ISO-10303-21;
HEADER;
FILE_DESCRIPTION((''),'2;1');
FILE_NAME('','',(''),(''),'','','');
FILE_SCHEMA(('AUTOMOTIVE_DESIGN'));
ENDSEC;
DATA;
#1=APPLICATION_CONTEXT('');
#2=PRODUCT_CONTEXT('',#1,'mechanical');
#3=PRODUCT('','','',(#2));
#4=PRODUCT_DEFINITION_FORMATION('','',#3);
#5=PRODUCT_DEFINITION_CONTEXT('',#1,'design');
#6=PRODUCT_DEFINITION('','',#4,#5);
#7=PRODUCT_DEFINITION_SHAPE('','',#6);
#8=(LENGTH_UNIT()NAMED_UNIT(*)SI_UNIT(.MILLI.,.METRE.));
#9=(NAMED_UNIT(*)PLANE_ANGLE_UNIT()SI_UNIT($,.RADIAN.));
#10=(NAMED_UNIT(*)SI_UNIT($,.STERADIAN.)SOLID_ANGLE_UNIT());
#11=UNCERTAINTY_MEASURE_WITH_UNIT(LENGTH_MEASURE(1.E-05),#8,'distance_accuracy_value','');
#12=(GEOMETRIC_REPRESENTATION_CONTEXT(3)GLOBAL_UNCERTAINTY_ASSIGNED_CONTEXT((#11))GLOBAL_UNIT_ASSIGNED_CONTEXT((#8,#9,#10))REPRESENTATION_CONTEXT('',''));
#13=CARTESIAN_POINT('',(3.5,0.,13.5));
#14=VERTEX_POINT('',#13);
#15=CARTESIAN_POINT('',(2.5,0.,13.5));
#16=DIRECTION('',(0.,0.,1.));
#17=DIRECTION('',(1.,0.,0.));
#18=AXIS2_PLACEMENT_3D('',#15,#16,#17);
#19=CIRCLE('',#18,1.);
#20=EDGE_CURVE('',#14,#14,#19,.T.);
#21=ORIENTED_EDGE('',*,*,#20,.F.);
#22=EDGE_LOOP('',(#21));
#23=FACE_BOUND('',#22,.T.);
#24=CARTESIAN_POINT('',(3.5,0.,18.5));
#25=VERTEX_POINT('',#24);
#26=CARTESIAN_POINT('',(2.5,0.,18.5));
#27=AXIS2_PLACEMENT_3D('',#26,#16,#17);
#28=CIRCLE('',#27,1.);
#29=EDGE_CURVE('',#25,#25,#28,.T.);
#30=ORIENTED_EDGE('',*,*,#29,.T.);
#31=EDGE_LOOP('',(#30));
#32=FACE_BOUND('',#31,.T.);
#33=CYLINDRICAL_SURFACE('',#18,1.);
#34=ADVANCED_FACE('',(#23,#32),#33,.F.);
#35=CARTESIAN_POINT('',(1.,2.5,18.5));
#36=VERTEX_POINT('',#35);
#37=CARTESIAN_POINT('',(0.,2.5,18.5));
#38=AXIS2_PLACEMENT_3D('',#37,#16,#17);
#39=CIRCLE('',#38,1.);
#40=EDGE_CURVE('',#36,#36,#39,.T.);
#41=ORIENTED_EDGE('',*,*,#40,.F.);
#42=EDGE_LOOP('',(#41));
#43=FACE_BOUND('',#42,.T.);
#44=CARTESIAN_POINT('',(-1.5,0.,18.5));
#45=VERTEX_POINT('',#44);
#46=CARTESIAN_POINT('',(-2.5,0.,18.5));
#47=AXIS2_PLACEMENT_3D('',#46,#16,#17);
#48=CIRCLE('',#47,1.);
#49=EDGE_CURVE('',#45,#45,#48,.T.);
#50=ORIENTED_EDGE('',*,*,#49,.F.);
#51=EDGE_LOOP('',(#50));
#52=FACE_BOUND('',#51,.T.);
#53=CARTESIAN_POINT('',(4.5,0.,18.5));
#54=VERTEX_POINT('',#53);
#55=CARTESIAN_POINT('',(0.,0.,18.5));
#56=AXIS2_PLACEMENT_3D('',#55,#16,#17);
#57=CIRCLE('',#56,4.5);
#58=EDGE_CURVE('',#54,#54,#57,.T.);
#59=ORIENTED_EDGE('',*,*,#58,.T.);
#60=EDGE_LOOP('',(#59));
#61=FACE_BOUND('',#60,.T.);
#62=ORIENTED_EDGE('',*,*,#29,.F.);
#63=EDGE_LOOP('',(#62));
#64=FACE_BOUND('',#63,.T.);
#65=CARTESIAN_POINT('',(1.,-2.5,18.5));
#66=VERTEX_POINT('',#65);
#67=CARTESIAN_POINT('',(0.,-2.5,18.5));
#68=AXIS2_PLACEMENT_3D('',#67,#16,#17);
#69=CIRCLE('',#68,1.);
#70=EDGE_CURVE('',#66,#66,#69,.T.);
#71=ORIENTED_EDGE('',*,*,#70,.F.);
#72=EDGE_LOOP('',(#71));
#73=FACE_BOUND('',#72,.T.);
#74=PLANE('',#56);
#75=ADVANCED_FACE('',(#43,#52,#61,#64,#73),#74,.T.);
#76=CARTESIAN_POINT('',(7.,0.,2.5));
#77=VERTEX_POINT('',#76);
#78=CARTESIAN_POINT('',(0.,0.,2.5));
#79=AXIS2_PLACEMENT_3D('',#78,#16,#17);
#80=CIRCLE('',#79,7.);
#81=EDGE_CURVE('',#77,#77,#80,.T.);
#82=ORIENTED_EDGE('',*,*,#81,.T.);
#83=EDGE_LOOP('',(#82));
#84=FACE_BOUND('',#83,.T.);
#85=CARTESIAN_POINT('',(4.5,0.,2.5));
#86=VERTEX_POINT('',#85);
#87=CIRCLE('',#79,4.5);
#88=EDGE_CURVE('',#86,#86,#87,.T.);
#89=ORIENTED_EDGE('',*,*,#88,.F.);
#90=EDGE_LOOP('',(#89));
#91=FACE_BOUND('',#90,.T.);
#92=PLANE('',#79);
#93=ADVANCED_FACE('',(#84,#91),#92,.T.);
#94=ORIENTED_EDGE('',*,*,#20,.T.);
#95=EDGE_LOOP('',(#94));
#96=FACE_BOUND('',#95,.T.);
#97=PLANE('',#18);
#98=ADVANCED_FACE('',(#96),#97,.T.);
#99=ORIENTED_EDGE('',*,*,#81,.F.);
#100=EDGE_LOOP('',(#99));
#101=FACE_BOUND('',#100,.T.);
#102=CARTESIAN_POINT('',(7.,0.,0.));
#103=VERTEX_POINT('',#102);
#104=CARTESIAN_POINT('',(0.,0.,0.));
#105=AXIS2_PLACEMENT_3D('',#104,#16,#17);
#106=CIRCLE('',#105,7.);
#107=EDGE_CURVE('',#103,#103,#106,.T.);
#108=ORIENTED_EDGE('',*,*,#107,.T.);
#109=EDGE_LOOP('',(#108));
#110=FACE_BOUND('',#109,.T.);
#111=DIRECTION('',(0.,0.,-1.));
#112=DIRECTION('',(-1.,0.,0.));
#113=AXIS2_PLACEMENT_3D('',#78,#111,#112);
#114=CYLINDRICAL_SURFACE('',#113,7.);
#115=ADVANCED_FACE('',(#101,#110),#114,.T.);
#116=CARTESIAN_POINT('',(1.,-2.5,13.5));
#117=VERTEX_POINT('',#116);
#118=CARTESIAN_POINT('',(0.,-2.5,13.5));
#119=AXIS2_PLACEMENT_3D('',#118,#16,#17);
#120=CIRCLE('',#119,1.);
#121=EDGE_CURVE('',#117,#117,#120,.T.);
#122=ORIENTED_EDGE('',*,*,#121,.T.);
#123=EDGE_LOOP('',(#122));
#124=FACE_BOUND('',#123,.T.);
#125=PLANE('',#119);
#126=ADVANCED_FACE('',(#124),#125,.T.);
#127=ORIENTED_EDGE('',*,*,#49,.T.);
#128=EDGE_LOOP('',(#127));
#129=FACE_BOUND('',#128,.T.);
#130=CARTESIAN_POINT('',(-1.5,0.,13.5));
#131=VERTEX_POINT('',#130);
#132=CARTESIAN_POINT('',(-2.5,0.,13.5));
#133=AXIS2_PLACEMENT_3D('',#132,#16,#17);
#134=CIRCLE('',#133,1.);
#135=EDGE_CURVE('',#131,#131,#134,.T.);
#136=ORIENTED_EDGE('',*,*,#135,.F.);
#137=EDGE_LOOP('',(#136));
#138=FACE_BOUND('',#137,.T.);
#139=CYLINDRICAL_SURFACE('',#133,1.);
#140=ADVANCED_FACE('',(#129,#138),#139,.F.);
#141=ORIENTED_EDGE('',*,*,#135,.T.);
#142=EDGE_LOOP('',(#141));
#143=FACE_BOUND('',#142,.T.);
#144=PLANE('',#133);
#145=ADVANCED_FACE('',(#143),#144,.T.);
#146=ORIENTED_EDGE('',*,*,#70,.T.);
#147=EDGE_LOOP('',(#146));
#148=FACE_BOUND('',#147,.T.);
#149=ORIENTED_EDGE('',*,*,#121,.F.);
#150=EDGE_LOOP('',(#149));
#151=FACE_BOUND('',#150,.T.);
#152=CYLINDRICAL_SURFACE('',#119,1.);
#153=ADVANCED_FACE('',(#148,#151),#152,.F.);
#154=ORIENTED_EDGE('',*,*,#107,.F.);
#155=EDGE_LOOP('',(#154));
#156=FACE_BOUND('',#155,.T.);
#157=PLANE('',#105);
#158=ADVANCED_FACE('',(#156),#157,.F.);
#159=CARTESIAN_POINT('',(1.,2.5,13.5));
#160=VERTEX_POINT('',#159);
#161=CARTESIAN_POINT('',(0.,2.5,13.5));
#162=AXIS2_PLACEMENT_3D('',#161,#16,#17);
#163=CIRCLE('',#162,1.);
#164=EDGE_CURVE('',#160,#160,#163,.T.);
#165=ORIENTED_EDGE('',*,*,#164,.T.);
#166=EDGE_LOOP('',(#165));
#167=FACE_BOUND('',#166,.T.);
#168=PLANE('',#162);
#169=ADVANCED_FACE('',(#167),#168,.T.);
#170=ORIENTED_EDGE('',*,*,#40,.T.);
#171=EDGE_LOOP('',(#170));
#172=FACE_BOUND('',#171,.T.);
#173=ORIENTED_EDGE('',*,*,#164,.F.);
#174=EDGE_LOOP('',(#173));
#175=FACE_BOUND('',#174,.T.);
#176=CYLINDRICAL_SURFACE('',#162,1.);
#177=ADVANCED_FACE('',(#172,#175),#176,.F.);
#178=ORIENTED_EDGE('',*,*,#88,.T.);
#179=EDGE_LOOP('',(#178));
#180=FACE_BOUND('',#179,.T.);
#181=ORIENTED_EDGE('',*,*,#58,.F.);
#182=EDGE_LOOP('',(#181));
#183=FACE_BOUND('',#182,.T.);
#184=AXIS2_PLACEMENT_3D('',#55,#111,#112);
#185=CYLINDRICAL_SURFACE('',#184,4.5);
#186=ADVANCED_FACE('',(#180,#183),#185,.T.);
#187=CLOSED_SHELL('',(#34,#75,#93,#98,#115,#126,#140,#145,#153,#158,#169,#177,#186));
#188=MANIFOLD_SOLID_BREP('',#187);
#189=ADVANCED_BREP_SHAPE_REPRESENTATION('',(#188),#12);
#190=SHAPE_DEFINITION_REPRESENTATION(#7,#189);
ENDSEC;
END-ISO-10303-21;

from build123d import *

# Parameters (mm, degrees)
SKETCH1_R           = 7
BOSS_EXTRUDE1_DEPTH = 2.5
SKETCH2_R           = 4.5
BOSS_EXTRUDE2_DEPTH = 16
SKETCH3_R           = 1
CUT_EXTRUDE1_DEPTH  = 5


with BuildPart() as part:
    # Sketch1 → Boss-Extrude1 (new body)
    with BuildSketch(Plane.XY):
        Circle(SKETCH1_R)
    extrude(amount=BOSS_EXTRUDE1_DEPTH)

    # Sketch2 → Boss-Extrude2 (add)
    with BuildSketch(Plane.XY.offset(2.5)):
        Circle(SKETCH2_R)
    extrude(amount=BOSS_EXTRUDE2_DEPTH)

    # Sketch3 → Cut-Extrude1 (cut)
    with BuildSketch(Plane.XY.offset(18.5)):
        with Locations((0, 2.5)):
            Circle(SKETCH3_R)
        with Locations((2.5, 0)):
            Circle(SKETCH3_R)
        with Locations((0, -2.5)):
            Circle(SKETCH3_R)
        with Locations((-2.5, 0)):
            Circle(SKETCH3_R)
    extrude(amount=-CUT_EXTRUDE1_DEPTH, mode=Mode.SUBTRACT)


solid = part.part
